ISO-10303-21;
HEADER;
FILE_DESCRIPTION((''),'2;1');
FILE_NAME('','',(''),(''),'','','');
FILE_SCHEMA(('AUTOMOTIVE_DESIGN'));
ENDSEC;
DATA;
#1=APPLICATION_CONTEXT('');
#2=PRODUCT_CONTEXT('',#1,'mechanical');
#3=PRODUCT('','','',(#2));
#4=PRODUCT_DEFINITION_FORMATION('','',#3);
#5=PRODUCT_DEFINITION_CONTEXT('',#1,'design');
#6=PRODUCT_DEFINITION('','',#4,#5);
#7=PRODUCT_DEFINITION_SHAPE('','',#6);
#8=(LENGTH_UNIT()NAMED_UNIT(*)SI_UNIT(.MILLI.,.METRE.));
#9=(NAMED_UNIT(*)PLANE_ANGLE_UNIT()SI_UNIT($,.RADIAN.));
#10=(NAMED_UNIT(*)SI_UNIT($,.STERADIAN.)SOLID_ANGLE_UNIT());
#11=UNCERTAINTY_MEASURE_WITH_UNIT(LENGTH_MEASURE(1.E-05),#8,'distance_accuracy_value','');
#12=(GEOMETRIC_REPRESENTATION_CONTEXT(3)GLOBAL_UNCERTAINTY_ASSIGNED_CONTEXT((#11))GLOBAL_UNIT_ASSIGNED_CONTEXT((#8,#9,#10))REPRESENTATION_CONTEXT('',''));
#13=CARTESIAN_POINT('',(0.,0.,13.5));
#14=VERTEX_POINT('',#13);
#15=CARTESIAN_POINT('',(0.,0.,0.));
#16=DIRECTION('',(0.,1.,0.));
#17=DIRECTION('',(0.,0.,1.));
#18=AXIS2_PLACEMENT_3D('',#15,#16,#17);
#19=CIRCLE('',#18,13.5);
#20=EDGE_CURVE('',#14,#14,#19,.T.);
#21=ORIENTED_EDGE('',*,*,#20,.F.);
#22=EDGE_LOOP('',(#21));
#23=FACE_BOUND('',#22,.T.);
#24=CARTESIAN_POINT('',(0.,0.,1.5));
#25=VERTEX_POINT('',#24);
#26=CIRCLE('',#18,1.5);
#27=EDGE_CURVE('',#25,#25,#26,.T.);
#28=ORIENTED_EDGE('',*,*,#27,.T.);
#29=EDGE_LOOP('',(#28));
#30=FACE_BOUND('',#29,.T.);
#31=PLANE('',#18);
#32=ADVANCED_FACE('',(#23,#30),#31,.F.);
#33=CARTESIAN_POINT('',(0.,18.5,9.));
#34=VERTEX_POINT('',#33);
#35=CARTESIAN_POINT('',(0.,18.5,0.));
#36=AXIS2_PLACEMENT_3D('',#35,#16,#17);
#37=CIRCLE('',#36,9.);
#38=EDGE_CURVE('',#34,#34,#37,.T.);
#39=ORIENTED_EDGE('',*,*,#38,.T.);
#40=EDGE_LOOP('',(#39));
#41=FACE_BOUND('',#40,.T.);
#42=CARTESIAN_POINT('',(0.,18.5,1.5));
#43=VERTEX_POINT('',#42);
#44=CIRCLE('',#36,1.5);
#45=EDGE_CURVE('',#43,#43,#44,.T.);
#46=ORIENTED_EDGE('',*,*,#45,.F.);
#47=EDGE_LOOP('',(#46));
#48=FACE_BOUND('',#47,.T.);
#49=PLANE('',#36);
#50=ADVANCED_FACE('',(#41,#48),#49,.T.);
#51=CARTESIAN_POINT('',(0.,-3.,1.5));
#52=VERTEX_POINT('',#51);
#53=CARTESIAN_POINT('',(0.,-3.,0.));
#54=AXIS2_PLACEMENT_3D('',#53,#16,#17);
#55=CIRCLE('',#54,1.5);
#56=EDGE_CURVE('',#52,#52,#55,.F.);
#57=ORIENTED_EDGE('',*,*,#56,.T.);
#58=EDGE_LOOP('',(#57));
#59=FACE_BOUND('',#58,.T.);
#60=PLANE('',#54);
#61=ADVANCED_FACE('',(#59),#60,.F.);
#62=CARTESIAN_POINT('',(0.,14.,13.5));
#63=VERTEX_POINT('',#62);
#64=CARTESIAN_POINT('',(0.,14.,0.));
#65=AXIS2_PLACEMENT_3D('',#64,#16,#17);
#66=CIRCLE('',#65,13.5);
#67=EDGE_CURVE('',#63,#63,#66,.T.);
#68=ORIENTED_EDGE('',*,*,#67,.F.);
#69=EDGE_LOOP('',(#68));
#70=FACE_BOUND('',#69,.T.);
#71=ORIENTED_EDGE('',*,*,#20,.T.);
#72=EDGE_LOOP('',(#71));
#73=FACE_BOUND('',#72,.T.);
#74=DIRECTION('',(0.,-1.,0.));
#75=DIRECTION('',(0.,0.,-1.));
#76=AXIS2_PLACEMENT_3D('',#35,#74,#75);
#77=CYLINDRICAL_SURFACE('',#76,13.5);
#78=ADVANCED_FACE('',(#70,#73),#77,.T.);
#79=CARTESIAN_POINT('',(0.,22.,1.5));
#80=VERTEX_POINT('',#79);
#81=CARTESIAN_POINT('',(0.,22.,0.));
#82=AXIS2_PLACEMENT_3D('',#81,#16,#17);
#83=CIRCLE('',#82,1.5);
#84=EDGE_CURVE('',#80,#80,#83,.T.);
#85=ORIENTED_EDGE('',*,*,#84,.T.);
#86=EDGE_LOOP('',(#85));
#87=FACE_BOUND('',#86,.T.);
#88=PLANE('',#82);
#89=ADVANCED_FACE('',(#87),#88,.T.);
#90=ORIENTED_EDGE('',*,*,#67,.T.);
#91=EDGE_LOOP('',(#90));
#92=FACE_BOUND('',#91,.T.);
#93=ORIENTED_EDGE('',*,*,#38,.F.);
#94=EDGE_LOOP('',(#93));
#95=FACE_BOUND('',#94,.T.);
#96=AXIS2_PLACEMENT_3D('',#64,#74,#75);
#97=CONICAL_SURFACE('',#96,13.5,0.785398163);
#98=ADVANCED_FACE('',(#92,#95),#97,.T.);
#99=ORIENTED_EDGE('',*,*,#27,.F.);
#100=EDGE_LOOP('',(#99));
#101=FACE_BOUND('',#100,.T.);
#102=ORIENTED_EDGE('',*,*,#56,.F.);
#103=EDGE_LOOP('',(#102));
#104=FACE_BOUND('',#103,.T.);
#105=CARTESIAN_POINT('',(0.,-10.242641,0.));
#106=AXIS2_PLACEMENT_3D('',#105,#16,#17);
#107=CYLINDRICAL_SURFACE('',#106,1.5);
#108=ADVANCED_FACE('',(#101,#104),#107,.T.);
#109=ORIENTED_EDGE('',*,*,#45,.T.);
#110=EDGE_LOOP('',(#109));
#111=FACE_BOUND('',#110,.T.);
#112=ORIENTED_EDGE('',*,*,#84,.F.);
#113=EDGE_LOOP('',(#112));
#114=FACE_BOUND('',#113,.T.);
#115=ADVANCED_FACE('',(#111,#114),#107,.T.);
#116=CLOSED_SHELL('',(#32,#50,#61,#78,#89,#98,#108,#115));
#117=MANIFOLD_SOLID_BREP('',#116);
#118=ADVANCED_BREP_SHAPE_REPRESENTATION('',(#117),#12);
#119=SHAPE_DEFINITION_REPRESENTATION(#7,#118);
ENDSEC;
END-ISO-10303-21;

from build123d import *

# Parameters (mm, degrees)
SKETCH1_R                = 13.5
BOSS_EXTRUDE1_DEPTH      = 18.5
BOSS_EXTRUDE2_DEPTH      = 3.5
BOSS_EXTRUDE2_DEPTH_BACK = 21.5
SKETCH3_R                = 1.5


with BuildPart() as part:
    # Sketch1 → Boss-Extrude1 (new body)
    with BuildSketch(Plane(origin=(0, 0, 0), x_dir=(1, 0, 0), z_dir=(0, 1, 0))):
        with Locations(Location((0, 0, 0), (0, 0, 270))):
            Circle(SKETCH1_R)
    extrude(amount=BOSS_EXTRUDE1_DEPTH)

    # Sketch2 → Cut-Revolve1 (revolve, cut)
    with BuildSketch(Plane.XY, mode=Mode.PRIVATE) as cut_revolve1_sk:
        Polygon((-13.5, 14), (-9, 18.5), (-13.5, 18.5), align=None)
    revolve(cut_revolve1_sk.sketch.rotate(Axis((0, 18.5, 0), (0, -1, 0)), 270), axis=Axis((0, 18.5, 0), (0, -1, 0)), mode=Mode.SUBTRACT)

    # Sketch3 → Boss-Extrude2 (add, two sides: drawn at the far end of the back side and taken through both)
    with BuildSketch(Plane(origin=(0, 18.5, 0), x_dir=(1, 0, 0), z_dir=(0, 1, 0)).offset(-BOSS_EXTRUDE2_DEPTH_BACK)):
        with Locations(Location((0, 0, 0), (0, 0, 270))):
            Circle(SKETCH3_R)
    extrude(amount=BOSS_EXTRUDE2_DEPTH + BOSS_EXTRUDE2_DEPTH_BACK)


solid = part.part
